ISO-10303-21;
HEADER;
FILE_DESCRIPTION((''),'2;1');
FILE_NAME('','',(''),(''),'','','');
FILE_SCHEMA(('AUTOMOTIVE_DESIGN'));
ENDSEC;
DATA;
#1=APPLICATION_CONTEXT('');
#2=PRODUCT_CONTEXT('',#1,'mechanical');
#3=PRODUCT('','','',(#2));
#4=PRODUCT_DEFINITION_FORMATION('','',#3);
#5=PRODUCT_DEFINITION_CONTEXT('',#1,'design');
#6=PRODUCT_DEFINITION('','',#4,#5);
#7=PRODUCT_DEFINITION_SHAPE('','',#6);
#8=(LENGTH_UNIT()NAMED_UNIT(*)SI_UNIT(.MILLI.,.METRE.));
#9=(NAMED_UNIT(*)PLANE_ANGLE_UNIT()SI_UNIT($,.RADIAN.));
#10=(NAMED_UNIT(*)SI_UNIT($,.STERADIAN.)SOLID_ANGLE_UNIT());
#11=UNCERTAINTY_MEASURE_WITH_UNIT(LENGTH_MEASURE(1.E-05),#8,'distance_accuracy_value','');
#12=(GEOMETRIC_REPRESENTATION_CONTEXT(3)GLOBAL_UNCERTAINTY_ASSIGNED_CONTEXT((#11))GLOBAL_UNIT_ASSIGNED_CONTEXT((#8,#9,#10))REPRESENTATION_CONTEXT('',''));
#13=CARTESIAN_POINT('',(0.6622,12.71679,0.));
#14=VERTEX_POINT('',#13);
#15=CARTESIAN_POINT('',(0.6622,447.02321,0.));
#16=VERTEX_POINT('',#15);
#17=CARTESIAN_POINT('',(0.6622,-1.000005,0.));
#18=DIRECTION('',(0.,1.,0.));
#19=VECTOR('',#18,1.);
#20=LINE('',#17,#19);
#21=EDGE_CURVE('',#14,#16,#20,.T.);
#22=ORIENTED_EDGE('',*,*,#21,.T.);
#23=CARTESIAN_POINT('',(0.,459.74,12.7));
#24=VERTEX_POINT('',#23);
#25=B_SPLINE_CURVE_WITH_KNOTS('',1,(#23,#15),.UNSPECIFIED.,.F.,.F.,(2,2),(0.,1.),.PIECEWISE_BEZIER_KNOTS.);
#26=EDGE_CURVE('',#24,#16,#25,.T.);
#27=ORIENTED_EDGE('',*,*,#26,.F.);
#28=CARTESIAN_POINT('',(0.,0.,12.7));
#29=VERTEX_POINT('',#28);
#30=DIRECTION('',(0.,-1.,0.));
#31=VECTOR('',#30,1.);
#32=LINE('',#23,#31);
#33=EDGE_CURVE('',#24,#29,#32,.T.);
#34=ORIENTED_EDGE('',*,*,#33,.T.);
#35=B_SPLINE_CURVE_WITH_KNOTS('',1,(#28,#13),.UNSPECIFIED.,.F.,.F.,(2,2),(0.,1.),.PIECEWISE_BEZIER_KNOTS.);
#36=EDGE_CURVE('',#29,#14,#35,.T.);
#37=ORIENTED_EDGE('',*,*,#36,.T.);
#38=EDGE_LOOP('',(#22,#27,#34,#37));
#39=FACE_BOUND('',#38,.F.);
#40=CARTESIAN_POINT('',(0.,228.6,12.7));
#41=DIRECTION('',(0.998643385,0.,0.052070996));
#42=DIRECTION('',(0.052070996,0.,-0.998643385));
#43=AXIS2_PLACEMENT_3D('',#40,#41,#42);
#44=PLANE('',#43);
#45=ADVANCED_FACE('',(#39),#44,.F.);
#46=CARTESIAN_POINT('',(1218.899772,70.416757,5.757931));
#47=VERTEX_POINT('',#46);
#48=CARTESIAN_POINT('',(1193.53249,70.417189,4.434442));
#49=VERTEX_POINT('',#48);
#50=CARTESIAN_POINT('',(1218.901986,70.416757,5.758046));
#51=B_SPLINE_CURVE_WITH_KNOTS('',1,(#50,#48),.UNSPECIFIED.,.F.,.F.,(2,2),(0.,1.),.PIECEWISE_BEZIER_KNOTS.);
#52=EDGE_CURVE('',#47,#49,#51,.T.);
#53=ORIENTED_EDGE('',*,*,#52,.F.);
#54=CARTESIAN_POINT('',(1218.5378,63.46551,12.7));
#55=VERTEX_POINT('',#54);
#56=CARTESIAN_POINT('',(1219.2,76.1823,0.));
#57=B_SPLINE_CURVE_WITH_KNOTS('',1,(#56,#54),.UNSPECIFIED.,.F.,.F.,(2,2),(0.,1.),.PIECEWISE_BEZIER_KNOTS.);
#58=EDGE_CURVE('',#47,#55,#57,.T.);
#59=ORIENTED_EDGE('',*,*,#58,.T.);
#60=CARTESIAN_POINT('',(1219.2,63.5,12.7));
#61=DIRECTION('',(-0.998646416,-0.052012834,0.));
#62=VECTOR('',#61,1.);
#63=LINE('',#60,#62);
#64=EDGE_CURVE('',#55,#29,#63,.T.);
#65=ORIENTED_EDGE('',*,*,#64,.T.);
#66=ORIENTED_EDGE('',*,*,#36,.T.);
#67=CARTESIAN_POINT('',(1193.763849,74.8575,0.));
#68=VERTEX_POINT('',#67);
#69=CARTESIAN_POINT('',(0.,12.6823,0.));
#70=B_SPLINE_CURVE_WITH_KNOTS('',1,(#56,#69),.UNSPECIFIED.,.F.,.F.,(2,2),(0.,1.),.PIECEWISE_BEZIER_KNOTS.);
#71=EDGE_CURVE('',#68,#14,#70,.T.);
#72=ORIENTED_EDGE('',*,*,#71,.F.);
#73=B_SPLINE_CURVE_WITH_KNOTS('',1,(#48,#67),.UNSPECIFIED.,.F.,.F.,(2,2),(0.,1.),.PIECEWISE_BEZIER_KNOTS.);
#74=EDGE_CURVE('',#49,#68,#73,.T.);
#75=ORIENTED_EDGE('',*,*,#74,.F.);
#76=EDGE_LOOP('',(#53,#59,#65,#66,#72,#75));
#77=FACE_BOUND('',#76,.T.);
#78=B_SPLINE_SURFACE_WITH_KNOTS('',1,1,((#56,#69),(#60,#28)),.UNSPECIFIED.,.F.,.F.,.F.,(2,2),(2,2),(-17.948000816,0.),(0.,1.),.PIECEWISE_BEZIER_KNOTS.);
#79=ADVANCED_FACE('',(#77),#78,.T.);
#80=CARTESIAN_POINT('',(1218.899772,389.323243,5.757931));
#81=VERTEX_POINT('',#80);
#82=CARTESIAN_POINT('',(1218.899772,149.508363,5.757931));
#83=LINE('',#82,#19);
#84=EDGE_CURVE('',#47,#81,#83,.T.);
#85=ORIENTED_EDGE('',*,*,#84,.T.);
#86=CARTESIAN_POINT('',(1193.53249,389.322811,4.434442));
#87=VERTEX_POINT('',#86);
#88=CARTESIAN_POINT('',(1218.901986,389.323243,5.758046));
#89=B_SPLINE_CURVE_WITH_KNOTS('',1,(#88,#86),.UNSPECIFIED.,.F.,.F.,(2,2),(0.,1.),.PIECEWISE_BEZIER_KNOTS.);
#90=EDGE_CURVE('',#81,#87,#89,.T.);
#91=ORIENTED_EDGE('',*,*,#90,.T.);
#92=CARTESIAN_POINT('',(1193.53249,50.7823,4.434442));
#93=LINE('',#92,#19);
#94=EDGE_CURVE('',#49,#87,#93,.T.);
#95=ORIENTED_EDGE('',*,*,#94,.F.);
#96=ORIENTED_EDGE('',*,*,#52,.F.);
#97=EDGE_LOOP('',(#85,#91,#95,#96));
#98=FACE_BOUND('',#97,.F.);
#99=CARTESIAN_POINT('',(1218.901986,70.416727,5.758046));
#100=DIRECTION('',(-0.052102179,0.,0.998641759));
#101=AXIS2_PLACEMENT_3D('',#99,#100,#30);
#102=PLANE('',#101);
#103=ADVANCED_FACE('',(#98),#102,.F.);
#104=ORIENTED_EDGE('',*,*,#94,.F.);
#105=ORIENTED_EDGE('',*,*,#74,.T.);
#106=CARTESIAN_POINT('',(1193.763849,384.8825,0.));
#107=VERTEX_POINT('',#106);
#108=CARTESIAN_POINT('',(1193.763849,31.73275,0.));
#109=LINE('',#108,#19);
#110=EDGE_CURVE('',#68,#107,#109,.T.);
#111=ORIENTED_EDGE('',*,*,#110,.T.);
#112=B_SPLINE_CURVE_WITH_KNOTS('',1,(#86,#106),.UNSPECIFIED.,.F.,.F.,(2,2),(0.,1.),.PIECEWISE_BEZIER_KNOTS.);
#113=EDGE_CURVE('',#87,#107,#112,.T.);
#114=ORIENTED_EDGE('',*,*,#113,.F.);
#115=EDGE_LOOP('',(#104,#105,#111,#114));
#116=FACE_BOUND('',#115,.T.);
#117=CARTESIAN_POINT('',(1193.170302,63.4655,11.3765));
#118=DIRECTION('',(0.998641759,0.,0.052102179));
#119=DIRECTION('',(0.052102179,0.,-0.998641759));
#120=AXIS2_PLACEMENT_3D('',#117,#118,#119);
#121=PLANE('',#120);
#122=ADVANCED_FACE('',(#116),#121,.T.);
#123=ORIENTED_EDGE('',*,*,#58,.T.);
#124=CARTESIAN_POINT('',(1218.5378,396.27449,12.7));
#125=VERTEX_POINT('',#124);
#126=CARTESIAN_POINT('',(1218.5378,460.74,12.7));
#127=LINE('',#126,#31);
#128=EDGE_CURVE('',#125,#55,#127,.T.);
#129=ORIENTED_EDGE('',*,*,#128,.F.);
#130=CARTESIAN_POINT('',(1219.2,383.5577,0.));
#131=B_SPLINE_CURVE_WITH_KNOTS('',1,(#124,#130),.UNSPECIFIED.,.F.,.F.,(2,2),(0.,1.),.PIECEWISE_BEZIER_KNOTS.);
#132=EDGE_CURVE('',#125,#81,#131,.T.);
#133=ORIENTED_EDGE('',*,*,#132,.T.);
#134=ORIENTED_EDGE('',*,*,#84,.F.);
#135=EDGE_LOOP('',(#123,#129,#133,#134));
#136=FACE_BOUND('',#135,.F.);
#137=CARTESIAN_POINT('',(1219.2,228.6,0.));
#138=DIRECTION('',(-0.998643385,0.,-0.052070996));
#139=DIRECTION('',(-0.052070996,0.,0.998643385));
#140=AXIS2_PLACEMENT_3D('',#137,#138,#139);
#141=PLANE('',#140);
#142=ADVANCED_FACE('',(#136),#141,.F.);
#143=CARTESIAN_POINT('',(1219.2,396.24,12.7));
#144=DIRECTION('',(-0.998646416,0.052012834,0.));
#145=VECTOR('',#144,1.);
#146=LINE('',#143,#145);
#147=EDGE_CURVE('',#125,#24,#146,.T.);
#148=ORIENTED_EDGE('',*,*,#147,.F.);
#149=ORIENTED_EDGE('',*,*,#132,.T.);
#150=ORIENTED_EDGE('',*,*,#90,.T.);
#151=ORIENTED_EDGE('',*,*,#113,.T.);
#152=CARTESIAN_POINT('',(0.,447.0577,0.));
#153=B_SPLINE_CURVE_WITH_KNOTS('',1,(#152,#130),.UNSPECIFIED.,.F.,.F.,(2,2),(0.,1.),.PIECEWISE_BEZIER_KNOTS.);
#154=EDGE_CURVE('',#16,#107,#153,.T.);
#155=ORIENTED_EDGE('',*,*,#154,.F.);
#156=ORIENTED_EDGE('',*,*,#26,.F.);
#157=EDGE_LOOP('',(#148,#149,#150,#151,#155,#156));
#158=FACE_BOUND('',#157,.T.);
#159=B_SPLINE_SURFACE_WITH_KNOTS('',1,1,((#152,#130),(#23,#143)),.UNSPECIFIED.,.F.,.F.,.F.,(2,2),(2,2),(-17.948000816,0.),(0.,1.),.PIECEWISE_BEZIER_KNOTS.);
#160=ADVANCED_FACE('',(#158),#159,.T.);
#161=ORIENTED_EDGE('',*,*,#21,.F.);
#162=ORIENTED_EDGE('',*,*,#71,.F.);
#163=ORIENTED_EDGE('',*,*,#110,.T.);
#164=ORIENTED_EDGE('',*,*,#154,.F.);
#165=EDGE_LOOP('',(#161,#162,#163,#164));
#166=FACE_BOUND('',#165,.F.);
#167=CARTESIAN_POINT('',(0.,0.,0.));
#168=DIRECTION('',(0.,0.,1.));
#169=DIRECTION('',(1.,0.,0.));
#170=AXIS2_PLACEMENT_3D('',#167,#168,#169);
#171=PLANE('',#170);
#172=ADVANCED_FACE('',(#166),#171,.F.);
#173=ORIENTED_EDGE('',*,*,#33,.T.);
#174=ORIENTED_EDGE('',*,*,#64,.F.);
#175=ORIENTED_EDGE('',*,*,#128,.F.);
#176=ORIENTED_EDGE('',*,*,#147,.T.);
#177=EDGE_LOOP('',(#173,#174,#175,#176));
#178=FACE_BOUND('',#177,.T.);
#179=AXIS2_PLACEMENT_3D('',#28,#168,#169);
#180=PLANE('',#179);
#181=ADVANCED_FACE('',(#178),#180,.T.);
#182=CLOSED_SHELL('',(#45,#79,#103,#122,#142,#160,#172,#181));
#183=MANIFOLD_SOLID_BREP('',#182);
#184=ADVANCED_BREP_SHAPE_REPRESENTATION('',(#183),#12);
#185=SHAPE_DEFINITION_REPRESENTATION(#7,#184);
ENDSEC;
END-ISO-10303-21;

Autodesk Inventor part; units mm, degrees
ref_plane "YZ Plane" through (0, 0, 0) normal (1, 0, 0) x (0, 1, 0)
ref_plane "XY Plane" through (0, 0, 0) normal (0, 0, 1) x (1, 0, 0)
sketch "Sketch1" plane through (0, 0, 0) normal (0, 0, 1) x (1, 0, 0)
  line L0 (0, 0) -> (1219.2, 0)
  line L1 (1219.2, 0) -> (1219.2, 459.74)
  line L2 (1219.2, 459.74) -> (0, 459.74)
  line L3 (0, 459.74) -> (0, 0)
  line L4 (1219.2, 396.24) -> (1244.6, 396.24) construction
  line L5 (1244.6, 396.24) -> (1244.6, 63.5) construction
  line L6 (1244.6, 63.5) -> (1219.2, 63.5) construction
  line L7 (1219.2, 396.24) -> (0, 459.74)
  line L8 (1219.2, 63.5) -> (0, 0)
  dimension "d0" = 1219.2
  dimension "d1" = 459.74
  dimension "d2" = 25.4
  dimension "d3" = 332.74
  dimension "d4" = 63.5
extrude "Extrusion1" add sketch "Sketch1" along normal blind 12.7 contours L3 L7 L1 L8
sketch "Sketch2" plane through (1219.2, 63.5, 0) normal (1, 0, 0) x (0, 0, -1)
  line L0 (-12.7, 332.74) -> (-12.7, 396.24) projected
  line L1 (-12.7, 332.74) -> (0, 320.0577)
  line L2 (0, 0) -> (0, 332.74) projected
  line L3 (-12.7, 332.74) -> (5.248, 332.74) construction
  line L4 (0, 320.0577) -> (0, 332.74)
  line L5 (0, 332.74) -> (-12.7, 332.74)
  point P0 (0, -63.5)
  dimension "d7" = 44.96
sketch "Sketch3" plane through (0, 0, 0) normal (-1, 0, 0) x (0, 0, 1)
  line L0 (12.7, 396.24) -> (12.7, 459.74) projected
  line L1 (12.7, 459.74) -> (0, 447.0577)
  line L2 (0, 396.24) -> (0, 459.74) projected
  line L3 (12.7, 459.74) -> (30.648, 459.74) construction
  line L4 (0, 459.74) -> (12.7, 459.74) projected
  line L5 (0, 447.0577) -> (0, 459.74)
  line L6 (0, 459.74) -> (12.7, 459.74)
  point P0 (0, 0)
  dimension "d8" = 135.04
loft "Loft1" cut profiles "Sketch3", "Sketch2"
sketch "Sketch4" plane through (0, 0, 0) normal (-1, 0, 0) x (0, 0, 1)
  line L0 (12.7, 0) -> (12.7, 63.5) projected
  line L1 (12.7, 0) -> (0, 12.6823)
  line L2 (0, 0) -> (0, 63.5) projected
  line L3 (12.7, 0) -> (30.648, 0) construction
  line L4 (0, 12.6823) -> (0, 0)
  line L5 (12.7, 0) -> (0, 0)
  dimension "d13" = 135.04
sketch "Sketch5" plane through (1219.2, 63.5, 12.7) normal (1, 0, 0) x (0, 0, -1)
  line L0 (12.7, 0) -> (0, 0) projected
  line L1 (0, 0) -> (12.7, 12.6823)
  line L2 (12.7, 383.5577) -> (12.7, -63.5) projected
  line L3 (0, 0) -> (17.948, 0) construction
  line L4 (12.7, 12.6823) -> (12.7, 0)
  line L5 (12.7, -63.5) -> (12.7, 0) projected
  line L6 (12.7, 0) -> (0, 0)
  dimension "d14" = 44.96
loft "Loft2" cut profiles "Sketch5", "Sketch4"
ref_plane "Center Plane" through (0, 228.6, 0) normal (0, 1, 0) x (-1, 0, 0)
sketch "Sketch6" plane through (0, 228.6, 0) normal (0, 1, 0) x (-1, 0, 0)
  line L0 (-1219.2, 12.7) -> (-1219.2, 0) projected
  line L1 (-1219.2, 0) -> (0, 0) projected
  line L2 (-1219.2, 12.7) -> (-1206.4827, 12.7) construction
  line L3 (-1219.2, 0) -> (-1218.5378, 12.7)
  line L4 (-1219.2, 0) -> (-1206.4827, 0) construction
  line L5 (0, 12.7) -> (-1219.2, 12.7) projected
  dimension "d26" = 87.015
extrude "Extrusion2" cut sketch "Sketch6" against normal through all both and the other way through all
sketch "Sketch8" plane through (1218.5378, 63.4655, 12.7) normal (0.9986, 0, 0.0521) x (0.0521, 0, -0.9986)
  line L0 (12.7173, 12.7168) -> (0, 0) projected
  line L1 (12.7173, 12.7168) -> (12.7173, 320.0922) projected
  line L2 (0, 332.809) -> (12.7173, 320.0922) projected
  line L3 (0, 0) -> (0, 332.809) projected
  line L4 (12.7173, 12.7168) -> (12.7173, 320.0922) projected
  line L5 (12.7173, 345.4922) -> (6.9515, 345.4922)
  line L6 (6.9515, 345.4922) -> (6.9515, -12.6832)
  line L7 (6.9515, -12.6832) -> (12.7173, -12.6832)
  line L8 (12.7173, -12.6832) -> (12.7173, 345.4922)
  point P0 (-50.772, -63.4655)
  dimension "d27" = 5.7658
  dimension "d28" = 25.4
  dimension "d29" = 25.4
extrude "Extrusion3" cut sketch "Sketch8" against normal blind 25.4 contours L8 L7 L6 L0 | L0 L6 L2 L1 | L2 L6 L5 L8
sketch "Sketch9" plane through (0, 228.6, 0) normal (0, 1, 0) x (-1, 0, 0)
  line L0 (-1193.5342, 4.4353) -> (-1193.7655, 0) projected
  line L1 (0, 0) -> (-1193.7655, 0) projected
  line L2 (0, 12.7) -> (0, 0) projected
  line L3 (-1218.5378, 12.7) -> (0, 12.7) projected
  line L4 (-1218.5378, 12.7) -> (-1218.8997, 5.758) projected
  line L5 (-1218.8997, 5.758) -> (-1193.5342, 4.4353) projected
  line L6 (0, 12.7) -> (-0.6622, 0)
  line L7 (0, 12.7) -> (12.7173, 12.7) construction
  point P0 (0, 0)
  dimension "d32" = 92.985
extrude "Extrusion4" cut sketch "Sketch9" against normal through all both and the other way through all contours L6 L2 L1
properties part number "Wind Tunnel Output Body Single Panel" material "Wood (Oak)"
